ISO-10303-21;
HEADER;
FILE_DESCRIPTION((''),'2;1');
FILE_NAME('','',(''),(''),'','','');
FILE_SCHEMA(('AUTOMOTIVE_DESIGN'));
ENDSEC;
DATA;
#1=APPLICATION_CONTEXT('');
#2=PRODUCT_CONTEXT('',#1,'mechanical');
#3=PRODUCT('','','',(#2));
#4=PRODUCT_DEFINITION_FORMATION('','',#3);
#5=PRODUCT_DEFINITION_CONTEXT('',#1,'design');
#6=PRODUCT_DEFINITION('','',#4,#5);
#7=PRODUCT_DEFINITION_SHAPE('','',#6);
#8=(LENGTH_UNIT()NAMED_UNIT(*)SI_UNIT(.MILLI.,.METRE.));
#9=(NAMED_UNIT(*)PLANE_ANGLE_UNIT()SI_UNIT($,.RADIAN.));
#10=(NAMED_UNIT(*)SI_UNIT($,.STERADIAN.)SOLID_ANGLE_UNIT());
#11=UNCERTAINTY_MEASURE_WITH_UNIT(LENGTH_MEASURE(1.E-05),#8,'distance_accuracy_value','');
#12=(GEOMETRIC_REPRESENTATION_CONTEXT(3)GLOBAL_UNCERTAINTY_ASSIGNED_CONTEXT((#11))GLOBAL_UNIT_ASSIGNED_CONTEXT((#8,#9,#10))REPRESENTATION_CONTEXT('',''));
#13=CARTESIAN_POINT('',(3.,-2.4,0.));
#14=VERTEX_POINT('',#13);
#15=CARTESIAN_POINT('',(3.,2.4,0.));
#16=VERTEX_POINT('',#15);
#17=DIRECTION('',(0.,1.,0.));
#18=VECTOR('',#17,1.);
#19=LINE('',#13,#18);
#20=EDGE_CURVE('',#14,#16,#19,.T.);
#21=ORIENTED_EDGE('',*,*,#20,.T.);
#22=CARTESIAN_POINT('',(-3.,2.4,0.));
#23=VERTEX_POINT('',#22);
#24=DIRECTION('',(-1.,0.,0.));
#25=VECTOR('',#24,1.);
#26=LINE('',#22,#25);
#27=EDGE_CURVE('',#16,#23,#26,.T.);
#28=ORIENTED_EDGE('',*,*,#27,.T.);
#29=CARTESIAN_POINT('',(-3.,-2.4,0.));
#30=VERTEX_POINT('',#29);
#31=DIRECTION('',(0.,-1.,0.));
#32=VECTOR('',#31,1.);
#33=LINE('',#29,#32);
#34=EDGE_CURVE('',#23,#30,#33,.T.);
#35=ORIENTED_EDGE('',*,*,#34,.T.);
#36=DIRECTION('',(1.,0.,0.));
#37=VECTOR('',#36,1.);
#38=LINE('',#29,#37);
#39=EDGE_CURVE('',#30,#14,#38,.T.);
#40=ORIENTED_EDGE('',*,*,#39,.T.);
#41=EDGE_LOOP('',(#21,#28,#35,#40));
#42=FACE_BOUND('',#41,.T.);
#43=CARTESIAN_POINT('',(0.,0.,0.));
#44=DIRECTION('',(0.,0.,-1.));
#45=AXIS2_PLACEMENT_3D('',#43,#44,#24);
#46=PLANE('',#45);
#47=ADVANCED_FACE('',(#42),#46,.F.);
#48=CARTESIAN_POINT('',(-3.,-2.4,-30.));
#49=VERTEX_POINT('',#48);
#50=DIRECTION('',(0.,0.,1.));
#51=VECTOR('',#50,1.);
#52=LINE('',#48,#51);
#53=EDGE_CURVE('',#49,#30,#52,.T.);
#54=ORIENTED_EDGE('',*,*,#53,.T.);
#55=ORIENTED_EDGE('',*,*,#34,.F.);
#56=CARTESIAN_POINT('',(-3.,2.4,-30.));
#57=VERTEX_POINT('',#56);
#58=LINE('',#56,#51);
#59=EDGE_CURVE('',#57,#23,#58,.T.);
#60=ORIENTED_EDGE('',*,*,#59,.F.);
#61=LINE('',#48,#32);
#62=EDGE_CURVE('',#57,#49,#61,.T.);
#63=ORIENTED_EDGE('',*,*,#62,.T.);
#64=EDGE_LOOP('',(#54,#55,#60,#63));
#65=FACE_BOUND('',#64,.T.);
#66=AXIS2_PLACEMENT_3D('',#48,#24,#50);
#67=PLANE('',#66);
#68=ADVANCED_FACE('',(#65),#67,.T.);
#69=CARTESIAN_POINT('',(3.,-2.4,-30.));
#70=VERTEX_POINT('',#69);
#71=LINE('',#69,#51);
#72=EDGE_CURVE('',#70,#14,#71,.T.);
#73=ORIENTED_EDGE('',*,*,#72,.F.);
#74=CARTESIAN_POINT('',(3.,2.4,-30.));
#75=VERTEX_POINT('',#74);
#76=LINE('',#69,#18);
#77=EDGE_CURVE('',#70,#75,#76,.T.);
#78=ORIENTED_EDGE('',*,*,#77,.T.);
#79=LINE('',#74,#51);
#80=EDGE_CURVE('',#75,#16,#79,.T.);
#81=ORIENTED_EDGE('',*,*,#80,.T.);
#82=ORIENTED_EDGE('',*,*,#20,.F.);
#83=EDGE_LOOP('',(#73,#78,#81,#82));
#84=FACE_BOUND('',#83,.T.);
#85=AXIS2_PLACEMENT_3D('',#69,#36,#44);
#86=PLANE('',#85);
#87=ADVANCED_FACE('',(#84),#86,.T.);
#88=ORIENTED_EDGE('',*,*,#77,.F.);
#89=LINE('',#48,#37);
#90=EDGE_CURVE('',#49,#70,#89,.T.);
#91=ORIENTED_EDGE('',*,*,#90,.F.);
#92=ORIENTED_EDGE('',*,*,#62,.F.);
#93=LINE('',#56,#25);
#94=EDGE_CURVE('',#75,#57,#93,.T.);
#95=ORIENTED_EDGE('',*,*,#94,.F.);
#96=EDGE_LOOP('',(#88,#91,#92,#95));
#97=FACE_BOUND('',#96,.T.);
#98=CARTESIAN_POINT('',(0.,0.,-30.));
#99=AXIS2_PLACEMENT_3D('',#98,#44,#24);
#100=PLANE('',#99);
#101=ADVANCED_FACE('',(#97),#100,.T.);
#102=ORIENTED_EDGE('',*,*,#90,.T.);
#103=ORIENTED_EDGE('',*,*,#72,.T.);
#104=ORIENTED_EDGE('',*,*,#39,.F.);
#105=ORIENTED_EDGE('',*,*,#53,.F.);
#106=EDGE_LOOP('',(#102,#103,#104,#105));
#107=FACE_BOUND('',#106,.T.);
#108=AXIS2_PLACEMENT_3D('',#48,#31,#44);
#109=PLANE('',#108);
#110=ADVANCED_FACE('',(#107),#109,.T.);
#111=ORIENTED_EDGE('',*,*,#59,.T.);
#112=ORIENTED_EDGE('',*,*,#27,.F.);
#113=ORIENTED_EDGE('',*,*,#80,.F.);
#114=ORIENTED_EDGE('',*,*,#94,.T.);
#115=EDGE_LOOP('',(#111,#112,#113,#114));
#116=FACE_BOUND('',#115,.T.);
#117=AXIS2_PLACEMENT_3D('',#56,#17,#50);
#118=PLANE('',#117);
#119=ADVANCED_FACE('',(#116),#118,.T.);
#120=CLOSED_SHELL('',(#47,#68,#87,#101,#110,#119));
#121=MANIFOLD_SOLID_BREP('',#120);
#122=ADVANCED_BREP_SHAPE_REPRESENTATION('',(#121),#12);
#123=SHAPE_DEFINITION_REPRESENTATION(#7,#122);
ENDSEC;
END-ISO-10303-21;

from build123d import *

# Parameters (mm, degrees)
SKETCH1_W           = 6
SKETCH1_H           = 4.8
BOSS_EXTRUDE1_DEPTH = 30


with BuildPart() as part:
    # Sketch1 → Boss-Extrude1 (new body)
    with BuildSketch(Plane.XY):
        Rectangle(SKETCH1_W, SKETCH1_H)
    extrude(amount=-BOSS_EXTRUDE1_DEPTH)


solid = part.part
